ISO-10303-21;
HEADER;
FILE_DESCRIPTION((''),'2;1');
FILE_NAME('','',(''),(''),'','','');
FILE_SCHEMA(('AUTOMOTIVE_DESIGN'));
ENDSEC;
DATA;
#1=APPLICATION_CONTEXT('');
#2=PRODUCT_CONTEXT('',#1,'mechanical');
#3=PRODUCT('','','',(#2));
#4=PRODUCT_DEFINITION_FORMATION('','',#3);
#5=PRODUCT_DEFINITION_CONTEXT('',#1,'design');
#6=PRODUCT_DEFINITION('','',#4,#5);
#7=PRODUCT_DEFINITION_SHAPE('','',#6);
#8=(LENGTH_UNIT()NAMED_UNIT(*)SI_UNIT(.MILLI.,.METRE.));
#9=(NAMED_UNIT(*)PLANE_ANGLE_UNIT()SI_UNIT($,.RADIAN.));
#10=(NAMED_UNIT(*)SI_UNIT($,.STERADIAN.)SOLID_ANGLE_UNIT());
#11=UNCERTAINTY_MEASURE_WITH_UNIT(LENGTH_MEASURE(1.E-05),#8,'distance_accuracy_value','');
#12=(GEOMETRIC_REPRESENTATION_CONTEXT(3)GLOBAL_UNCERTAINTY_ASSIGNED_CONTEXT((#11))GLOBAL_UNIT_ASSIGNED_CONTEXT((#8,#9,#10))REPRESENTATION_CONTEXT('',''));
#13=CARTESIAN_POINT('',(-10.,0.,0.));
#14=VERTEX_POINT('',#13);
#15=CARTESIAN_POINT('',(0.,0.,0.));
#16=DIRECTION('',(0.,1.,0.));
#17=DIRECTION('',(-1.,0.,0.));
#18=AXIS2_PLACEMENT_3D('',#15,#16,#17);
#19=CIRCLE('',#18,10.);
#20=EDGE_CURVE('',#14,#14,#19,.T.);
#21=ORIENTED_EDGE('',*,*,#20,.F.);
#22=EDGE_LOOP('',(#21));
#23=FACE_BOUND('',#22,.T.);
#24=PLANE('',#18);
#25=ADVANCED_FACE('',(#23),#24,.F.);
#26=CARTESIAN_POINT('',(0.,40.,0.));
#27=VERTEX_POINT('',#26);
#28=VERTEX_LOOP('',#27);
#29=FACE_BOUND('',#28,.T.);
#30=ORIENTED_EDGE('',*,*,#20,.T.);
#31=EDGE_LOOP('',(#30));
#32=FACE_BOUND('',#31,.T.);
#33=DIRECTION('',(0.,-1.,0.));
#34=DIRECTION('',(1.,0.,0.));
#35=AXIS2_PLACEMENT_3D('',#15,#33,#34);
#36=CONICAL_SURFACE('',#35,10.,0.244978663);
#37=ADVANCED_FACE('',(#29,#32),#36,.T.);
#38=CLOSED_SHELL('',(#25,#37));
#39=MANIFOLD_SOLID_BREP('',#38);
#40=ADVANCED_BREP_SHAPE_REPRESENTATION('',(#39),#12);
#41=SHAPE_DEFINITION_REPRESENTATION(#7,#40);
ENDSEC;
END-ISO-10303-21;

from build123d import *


with BuildPart() as part:
    # Sketch1 → Revolve1 (revolve)
    with BuildSketch(Plane.XY):
        Polygon((0, 0), (10, 0), (0, 40), align=None)
    revolve(axis=Axis((0, 40, 0), (0, -1, 0)))


solid = part.part
